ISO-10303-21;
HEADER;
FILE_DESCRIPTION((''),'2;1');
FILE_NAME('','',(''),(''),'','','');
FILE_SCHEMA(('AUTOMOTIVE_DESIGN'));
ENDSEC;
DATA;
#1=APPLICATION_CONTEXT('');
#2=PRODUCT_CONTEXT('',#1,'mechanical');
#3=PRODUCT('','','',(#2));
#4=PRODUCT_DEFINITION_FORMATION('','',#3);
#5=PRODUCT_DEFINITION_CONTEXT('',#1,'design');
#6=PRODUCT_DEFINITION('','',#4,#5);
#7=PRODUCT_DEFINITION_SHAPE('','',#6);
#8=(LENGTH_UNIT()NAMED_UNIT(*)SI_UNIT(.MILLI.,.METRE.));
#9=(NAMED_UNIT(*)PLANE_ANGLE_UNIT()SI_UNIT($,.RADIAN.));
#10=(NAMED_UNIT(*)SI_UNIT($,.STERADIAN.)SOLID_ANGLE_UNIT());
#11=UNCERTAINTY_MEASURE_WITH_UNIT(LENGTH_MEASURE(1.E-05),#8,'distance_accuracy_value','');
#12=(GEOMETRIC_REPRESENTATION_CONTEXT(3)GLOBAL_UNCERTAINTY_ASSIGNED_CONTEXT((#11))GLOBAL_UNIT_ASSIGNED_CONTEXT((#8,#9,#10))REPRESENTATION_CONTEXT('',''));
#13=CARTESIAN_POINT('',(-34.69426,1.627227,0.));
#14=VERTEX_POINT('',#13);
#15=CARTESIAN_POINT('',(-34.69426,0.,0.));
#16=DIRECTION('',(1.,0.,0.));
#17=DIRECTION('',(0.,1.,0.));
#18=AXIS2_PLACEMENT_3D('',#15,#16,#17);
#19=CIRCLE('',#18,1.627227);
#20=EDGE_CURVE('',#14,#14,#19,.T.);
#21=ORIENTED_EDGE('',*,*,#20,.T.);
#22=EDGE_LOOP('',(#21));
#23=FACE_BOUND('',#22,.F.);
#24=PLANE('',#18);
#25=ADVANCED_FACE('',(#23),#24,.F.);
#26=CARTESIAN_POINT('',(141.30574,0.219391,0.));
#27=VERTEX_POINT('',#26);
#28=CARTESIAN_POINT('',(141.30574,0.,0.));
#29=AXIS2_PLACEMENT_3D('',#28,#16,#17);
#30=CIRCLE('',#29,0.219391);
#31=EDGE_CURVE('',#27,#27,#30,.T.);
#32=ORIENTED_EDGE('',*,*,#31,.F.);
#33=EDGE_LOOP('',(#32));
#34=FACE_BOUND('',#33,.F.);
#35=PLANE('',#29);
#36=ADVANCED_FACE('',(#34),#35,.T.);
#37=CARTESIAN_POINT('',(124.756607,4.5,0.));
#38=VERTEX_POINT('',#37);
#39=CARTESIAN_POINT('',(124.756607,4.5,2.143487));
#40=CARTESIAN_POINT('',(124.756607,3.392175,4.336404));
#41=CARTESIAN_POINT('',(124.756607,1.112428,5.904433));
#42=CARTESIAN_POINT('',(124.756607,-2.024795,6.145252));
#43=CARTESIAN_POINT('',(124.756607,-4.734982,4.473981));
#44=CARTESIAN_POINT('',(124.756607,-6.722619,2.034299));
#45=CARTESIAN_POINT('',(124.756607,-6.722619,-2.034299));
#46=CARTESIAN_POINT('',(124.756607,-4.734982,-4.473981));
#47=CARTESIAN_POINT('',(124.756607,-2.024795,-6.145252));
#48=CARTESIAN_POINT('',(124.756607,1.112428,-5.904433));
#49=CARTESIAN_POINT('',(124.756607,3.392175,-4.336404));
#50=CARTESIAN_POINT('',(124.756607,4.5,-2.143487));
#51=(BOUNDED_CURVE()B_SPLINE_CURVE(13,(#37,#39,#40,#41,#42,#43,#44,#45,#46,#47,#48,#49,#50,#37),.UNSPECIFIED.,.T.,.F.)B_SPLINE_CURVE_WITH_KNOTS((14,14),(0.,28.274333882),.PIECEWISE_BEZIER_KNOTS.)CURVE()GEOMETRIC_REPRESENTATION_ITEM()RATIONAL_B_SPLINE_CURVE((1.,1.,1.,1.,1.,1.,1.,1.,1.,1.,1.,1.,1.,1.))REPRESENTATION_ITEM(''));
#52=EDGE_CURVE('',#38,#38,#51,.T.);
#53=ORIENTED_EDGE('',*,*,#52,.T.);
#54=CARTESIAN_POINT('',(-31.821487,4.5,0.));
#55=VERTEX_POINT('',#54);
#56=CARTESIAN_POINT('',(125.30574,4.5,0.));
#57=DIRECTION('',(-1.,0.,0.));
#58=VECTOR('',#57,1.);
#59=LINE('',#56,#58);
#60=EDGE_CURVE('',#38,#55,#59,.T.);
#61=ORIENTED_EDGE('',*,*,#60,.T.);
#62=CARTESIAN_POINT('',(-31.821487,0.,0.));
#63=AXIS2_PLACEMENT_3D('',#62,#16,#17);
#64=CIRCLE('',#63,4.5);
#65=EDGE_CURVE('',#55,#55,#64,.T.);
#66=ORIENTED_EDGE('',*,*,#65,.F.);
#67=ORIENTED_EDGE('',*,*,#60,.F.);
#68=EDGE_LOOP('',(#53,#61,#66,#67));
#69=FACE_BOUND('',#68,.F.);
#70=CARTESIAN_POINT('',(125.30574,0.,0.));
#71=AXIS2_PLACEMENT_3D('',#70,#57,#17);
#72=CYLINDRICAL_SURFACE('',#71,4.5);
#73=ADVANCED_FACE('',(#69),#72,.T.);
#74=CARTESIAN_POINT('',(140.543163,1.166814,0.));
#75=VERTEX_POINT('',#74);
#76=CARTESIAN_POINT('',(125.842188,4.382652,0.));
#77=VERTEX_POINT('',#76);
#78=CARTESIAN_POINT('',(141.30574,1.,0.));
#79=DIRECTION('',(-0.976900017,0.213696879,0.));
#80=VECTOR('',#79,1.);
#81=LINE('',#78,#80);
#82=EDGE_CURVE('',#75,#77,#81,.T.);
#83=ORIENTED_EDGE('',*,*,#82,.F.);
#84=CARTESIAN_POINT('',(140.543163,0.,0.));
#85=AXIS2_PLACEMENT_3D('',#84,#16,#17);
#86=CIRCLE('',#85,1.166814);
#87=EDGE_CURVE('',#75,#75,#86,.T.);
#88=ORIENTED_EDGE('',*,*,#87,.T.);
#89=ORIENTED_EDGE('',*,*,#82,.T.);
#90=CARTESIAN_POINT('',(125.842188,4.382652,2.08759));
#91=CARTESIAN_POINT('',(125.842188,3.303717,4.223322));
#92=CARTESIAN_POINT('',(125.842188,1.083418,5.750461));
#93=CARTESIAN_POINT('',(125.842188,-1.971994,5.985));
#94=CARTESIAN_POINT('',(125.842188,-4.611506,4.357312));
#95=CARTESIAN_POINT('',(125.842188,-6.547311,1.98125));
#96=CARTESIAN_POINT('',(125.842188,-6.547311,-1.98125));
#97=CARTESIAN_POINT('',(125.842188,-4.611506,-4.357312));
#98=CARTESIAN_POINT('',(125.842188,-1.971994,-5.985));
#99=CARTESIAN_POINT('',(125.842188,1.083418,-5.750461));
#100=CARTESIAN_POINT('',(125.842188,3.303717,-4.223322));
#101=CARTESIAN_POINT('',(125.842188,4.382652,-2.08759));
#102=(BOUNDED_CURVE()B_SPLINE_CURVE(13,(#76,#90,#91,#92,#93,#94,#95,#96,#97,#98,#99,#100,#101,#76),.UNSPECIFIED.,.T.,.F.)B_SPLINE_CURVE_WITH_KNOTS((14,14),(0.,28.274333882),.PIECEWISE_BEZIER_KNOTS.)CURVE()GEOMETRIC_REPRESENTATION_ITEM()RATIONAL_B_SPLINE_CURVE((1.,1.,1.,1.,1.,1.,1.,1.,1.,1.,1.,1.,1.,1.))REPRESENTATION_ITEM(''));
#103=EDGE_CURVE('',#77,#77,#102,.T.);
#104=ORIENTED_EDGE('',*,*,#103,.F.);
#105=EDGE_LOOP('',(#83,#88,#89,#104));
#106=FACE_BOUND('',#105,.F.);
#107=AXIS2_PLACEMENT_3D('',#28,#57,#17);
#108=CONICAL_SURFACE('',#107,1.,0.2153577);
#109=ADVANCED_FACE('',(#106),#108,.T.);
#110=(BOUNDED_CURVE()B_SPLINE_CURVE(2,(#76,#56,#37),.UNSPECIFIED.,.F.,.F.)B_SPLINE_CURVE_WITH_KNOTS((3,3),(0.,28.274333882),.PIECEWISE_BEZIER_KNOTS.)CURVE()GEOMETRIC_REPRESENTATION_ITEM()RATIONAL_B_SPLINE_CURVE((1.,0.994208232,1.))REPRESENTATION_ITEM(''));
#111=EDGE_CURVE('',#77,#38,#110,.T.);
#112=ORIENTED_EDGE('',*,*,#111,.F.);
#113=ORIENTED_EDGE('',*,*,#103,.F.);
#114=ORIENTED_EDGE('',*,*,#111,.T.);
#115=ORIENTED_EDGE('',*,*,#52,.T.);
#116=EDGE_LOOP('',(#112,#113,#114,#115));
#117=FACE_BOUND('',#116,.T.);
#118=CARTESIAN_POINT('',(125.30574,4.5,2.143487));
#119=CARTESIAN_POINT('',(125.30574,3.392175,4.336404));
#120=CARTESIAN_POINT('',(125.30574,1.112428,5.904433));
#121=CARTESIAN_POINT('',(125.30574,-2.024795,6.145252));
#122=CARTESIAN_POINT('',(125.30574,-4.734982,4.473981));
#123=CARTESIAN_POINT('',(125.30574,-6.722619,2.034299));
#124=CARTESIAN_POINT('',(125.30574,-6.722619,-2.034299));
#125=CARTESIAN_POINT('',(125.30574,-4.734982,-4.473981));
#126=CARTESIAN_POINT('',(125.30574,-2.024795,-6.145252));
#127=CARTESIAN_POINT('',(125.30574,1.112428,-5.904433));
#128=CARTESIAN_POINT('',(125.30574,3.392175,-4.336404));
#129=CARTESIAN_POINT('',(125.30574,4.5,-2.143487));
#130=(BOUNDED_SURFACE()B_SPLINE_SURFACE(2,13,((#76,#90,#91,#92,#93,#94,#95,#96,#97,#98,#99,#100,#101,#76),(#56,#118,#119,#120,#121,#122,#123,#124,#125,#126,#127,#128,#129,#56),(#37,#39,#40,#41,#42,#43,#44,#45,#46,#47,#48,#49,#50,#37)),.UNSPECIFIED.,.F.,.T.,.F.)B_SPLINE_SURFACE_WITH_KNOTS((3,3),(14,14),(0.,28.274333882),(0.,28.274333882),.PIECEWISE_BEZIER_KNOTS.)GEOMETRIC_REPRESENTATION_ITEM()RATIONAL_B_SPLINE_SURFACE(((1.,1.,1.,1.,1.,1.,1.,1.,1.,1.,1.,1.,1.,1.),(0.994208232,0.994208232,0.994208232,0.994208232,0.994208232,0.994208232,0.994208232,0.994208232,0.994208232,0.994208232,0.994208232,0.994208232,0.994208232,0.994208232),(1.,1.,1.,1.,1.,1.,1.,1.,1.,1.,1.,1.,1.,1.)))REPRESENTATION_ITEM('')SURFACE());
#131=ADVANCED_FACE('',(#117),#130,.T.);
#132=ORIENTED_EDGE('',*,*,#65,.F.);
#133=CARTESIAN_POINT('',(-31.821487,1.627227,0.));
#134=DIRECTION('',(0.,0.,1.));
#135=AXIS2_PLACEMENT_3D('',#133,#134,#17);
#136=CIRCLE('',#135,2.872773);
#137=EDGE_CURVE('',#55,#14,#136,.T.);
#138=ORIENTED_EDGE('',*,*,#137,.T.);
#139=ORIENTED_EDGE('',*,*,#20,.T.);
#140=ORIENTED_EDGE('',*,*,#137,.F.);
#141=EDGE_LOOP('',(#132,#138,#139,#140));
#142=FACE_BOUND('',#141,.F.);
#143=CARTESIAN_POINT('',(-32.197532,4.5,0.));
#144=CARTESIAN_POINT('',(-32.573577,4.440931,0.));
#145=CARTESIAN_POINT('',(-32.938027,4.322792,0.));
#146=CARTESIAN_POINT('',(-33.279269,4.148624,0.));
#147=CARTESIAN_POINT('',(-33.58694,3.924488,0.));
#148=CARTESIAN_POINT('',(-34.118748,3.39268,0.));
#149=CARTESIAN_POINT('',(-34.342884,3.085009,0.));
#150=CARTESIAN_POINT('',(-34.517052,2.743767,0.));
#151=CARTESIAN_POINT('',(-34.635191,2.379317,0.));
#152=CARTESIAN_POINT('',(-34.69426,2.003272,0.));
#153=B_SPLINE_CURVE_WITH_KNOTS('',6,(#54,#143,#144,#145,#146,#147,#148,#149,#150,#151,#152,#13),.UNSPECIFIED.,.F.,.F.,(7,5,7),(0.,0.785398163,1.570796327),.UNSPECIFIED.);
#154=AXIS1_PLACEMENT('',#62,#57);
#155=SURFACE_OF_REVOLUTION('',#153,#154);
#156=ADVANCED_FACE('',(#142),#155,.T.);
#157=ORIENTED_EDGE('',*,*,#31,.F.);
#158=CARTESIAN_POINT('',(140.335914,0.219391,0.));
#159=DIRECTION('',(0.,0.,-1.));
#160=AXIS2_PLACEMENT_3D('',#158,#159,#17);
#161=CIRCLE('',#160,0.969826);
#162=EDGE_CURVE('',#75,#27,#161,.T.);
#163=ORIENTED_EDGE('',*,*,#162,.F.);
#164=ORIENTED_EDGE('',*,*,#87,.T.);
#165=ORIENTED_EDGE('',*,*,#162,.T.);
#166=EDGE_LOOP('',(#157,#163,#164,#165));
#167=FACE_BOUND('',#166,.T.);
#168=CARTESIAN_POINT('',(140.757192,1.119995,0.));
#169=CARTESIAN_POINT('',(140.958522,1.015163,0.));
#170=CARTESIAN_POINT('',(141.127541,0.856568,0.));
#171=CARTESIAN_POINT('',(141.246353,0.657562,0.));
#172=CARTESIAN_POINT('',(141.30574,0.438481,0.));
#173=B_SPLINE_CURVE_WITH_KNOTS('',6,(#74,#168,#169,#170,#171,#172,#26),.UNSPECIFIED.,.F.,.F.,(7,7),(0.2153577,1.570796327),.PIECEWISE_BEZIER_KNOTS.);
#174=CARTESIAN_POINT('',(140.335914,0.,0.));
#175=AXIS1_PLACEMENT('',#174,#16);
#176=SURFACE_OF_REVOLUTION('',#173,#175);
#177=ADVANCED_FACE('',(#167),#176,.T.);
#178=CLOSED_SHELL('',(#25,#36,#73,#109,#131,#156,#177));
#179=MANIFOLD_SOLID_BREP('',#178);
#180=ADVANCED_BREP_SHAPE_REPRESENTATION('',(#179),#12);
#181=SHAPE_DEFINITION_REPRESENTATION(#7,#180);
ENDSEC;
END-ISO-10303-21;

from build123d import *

# Parameters (mm, degrees)
F2_R = 2.872773
F3_R = 0.969826
F4_R = 5.08


with BuildPart() as f1:
    # F0 (on Top) → F1 (revolve)
    with BuildSketch(Plane.XY):
        Polygon((125.30574, 4.5), (-34.69426, 4.5), (-34.69426, 0), (141.30574, 0), (141.30574, 1), align=None)
    revolve(axis=Axis((0.009605, 0, 0), (1, 0, 0)))

    # F2
    f2_edges = [f1.edges().sort_by_distance(p)[0] for p in [
        (-34.69426, -4.5, 0),
    ]]
    fillet(f2_edges, radius=F2_R)

    # F3
    f3_edges = [f1.edges().sort_by_distance(p)[0] for p in [
        (141.30574, -1, 0),
    ]]
    fillet(f3_edges, radius=F3_R)

    # F4
    f4_edges = [f1.edges().sort_by_distance(p)[0] for p in [
        (125.30574, -4.5, 0),
    ]]
    fillet(f4_edges, radius=F4_R)


solid = f1.part
